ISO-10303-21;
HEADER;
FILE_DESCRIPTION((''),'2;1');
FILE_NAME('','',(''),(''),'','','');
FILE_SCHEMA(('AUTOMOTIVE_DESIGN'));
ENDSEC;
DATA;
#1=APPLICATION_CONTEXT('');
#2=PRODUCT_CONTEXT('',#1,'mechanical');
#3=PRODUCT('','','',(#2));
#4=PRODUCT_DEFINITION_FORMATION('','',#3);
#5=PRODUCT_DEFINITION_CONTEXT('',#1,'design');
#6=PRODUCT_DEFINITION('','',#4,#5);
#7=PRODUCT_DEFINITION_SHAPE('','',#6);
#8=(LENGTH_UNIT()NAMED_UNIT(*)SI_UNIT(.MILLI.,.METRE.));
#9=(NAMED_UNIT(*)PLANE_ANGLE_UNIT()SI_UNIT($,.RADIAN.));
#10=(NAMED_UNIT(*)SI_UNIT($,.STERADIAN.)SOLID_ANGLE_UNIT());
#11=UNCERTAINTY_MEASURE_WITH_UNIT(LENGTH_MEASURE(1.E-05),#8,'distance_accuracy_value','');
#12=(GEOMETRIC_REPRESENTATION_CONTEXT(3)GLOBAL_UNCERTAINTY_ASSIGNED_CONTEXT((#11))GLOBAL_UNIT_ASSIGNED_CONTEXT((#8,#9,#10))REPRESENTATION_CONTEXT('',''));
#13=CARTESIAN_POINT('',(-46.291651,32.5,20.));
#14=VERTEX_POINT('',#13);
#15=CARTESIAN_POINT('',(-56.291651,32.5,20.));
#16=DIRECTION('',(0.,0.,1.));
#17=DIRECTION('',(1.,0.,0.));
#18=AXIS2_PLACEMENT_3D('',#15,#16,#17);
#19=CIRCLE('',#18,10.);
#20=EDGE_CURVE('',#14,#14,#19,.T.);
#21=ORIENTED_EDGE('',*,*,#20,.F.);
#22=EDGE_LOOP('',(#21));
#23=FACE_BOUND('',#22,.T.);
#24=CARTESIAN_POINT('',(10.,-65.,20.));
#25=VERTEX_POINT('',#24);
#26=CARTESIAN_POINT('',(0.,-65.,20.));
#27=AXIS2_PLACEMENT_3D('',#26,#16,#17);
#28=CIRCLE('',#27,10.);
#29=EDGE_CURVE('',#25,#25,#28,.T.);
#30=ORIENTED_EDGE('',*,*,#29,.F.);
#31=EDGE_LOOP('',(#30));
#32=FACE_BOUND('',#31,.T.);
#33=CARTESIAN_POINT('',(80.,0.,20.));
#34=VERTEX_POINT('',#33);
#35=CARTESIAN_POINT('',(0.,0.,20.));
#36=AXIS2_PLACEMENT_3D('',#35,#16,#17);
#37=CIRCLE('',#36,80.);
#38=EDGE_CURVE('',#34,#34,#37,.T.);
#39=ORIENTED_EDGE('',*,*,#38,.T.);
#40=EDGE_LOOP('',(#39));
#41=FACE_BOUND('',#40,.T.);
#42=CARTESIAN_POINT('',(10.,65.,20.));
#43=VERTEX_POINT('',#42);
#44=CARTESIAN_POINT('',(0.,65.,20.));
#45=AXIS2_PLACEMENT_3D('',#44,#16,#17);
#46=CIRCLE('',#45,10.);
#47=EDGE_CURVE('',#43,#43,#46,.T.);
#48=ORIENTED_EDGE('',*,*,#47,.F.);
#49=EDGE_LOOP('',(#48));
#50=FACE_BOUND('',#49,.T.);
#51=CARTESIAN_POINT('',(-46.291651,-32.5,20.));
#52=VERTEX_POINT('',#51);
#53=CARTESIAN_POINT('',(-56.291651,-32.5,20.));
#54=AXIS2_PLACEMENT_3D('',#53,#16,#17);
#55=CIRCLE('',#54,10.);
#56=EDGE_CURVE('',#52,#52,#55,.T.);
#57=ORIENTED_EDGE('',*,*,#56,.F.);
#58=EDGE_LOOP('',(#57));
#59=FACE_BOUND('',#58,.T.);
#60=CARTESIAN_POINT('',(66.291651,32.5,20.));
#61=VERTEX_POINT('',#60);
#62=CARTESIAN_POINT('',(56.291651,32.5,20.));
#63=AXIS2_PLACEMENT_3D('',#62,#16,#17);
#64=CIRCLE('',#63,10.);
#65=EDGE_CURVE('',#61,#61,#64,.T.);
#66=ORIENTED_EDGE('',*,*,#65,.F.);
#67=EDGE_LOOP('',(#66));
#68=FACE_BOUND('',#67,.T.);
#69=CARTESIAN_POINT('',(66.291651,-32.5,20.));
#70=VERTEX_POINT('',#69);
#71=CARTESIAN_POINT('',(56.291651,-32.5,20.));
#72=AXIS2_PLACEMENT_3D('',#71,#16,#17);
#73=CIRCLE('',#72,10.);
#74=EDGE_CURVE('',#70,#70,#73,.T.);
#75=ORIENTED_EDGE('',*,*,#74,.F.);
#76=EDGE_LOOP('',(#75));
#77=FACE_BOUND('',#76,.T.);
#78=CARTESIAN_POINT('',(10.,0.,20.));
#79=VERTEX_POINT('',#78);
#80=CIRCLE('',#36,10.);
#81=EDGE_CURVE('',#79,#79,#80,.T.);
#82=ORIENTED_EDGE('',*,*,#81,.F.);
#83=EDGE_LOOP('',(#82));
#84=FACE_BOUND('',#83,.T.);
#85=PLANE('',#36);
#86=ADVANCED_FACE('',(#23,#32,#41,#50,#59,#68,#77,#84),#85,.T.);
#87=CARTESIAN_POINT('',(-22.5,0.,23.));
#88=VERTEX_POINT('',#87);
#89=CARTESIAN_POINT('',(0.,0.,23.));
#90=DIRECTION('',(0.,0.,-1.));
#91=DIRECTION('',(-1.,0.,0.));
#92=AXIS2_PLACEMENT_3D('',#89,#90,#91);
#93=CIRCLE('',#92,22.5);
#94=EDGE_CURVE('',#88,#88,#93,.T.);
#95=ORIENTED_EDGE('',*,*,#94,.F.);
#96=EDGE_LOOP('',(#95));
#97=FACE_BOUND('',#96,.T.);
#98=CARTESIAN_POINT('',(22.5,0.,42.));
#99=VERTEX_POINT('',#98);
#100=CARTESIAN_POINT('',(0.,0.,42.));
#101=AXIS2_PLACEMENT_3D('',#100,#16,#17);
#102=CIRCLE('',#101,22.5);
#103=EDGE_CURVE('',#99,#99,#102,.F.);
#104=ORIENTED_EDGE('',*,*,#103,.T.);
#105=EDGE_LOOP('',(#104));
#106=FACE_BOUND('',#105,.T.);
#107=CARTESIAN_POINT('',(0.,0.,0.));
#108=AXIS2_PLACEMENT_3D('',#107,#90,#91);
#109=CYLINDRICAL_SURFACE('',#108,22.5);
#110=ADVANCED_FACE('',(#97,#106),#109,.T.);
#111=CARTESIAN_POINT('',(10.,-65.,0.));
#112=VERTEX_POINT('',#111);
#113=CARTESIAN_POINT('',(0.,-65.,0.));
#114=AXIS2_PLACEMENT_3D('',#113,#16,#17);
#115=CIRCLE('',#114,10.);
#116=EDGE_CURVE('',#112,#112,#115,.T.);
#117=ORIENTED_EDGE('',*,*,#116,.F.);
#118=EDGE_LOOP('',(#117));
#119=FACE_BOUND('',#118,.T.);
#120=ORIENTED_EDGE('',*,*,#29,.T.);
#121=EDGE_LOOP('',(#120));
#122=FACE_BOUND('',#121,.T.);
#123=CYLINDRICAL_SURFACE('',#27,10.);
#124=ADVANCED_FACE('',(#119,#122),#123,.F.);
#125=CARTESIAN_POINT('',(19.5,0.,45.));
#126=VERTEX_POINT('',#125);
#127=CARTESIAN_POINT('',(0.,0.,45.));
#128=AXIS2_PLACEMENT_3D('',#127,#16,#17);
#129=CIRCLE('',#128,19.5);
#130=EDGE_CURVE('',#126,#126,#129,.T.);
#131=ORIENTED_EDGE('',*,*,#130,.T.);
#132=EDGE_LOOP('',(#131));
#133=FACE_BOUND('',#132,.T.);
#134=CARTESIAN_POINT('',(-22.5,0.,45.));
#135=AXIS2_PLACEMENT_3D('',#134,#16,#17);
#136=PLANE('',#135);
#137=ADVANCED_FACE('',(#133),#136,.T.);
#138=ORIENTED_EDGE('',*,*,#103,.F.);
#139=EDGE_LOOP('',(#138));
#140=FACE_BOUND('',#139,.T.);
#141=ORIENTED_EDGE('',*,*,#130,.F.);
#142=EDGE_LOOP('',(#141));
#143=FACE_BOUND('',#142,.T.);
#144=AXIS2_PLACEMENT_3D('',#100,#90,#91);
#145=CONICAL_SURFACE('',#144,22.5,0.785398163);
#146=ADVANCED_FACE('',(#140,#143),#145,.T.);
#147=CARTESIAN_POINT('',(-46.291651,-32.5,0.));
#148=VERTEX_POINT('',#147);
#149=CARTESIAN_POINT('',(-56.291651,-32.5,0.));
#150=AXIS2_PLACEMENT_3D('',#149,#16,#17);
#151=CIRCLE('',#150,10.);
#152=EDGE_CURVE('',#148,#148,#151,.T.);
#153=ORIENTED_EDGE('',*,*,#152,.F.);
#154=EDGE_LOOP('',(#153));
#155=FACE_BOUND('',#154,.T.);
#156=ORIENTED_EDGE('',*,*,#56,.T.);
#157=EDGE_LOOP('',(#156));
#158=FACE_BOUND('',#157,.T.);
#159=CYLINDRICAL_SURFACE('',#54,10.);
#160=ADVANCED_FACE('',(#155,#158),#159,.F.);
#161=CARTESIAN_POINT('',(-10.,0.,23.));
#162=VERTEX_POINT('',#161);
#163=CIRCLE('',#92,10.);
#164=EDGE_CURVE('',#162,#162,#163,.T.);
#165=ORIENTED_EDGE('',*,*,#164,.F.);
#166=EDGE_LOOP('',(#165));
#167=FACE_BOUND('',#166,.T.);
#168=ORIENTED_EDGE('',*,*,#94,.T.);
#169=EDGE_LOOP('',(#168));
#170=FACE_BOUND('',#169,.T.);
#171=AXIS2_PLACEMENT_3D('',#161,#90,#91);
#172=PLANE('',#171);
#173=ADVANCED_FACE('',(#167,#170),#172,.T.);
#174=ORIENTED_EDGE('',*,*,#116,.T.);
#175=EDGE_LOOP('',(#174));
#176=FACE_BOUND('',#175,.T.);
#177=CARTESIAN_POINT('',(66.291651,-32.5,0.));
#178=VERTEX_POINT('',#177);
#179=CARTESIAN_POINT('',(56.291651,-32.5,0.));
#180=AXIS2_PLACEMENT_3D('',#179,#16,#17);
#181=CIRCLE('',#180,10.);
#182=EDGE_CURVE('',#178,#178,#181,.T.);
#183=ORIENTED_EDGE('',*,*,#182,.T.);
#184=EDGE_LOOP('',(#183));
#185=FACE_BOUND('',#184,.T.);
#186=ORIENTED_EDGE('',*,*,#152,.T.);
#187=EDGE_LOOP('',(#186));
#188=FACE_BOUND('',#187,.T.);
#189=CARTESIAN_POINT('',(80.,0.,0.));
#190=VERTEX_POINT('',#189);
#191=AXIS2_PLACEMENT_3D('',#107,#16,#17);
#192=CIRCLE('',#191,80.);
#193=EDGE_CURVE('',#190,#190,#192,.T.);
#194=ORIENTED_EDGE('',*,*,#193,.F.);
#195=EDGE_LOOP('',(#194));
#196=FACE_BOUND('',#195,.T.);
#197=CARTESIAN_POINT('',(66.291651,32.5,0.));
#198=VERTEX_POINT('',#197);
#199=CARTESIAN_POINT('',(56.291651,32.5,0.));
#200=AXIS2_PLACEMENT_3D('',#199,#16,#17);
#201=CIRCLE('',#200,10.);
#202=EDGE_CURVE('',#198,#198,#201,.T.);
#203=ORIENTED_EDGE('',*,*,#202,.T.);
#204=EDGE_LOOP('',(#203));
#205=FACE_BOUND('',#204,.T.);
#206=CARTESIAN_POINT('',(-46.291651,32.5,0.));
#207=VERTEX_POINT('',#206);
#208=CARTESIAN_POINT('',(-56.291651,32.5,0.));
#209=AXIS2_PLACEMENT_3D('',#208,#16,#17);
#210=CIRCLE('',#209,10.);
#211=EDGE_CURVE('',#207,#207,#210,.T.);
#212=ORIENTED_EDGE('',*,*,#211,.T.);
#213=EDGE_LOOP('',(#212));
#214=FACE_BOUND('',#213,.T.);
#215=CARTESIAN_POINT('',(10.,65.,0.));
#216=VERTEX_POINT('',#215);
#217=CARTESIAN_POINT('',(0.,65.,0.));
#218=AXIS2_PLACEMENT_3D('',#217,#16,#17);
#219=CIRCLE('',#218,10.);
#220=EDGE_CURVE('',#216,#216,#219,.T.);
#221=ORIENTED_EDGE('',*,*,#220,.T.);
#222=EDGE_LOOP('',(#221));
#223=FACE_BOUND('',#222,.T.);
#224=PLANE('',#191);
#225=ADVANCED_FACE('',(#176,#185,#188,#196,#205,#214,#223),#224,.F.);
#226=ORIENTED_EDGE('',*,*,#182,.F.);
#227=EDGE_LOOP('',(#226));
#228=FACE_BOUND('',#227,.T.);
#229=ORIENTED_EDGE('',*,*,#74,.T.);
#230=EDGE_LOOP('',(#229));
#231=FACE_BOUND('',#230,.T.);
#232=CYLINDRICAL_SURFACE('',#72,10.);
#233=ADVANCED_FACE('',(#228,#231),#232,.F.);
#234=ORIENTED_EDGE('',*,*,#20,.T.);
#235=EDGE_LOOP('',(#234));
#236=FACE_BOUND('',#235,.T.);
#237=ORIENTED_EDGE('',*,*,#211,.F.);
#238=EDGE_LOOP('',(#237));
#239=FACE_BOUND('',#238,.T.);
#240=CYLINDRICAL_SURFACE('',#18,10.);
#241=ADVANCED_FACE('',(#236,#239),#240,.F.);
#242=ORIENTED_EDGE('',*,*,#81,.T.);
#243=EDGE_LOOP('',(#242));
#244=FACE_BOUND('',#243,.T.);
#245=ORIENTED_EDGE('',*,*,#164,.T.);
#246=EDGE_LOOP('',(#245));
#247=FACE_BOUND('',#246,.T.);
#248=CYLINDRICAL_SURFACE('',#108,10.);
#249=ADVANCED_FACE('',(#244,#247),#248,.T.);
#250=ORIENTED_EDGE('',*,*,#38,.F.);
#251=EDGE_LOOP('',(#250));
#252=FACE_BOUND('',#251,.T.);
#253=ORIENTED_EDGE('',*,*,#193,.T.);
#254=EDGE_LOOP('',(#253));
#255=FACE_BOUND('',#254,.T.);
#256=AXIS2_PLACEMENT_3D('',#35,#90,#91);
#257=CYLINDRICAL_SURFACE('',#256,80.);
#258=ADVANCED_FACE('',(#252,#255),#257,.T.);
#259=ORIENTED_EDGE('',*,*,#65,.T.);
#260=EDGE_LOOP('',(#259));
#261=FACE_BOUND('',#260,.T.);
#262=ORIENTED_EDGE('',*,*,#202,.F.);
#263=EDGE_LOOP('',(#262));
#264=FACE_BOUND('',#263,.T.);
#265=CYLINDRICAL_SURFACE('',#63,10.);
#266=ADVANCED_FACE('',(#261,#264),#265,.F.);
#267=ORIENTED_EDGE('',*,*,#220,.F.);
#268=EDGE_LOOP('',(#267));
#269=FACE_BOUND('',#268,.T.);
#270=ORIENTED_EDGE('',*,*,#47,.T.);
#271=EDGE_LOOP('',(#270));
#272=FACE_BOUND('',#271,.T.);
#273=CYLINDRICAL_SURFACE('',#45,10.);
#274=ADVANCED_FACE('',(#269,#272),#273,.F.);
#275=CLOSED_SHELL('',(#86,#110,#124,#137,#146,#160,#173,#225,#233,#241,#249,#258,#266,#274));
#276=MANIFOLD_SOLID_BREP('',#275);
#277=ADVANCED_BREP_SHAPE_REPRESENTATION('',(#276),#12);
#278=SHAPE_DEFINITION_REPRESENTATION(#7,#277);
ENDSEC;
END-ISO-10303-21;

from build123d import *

# Parameters (mm, degrees)
SKETCH1_R               = 80
BASE_EXTRUDE_DEPTH      = 20
CHAMFER1_SIZE           = 3
HOLE_WIZARD_20_0_20_1_D = 20
CIRPATTERN2_COUNT       = 6


with BuildPart() as part:
    # Sketch1 → Base-Extrude (new body)
    with BuildSketch(Plane.XY):
        Circle(SKETCH1_R)
    extrude(amount=BASE_EXTRUDE_DEPTH)

    # Sketch2 → Boss-Revolve1 (revolve)
    with BuildSketch(Plane(origin=(0, 0, 0), x_dir=(1, 0, 0), z_dir=(0, 1, 0))):
        Polygon((-10, -20), (-10, -23), (-22.5, -23), (-22.5, -45), (0, -45), (0, -20), align=None)
    revolve(axis=Axis((0, 0, 0), (0, 0, 1)))

    # Chamfer1
    chamfer1_edges = [part.edges().sort_by_distance(p)[0] for p in [
        (22.5, 0, 45),
    ]]
    chamfer(chamfer1_edges, length=CHAMFER1_SIZE)

    # Ø20.0 (20) 直徑孔1 (through all)
    with Locations(Plane(origin=(0, 65, 20), x_dir=(1, 0, 0), z_dir=(0, 0, 1))):
        with Locations((0, 0)):
            hole_wizard_20_0_20_1 = Hole(HOLE_WIZARD_20_0_20_1_D / 2)

    # CirPattern2: Ø20.0 (20) 直徑孔1 ×6 about axis
    cirpattern2_axis = Axis((0, 0, 0), (0, 0, 1))
    for i in range(1, CIRPATTERN2_COUNT):
        add(hole_wizard_20_0_20_1.rotate(cirpattern2_axis, i * 360 / CIRPATTERN2_COUNT), mode=Mode.SUBTRACT)


solid = part.part
